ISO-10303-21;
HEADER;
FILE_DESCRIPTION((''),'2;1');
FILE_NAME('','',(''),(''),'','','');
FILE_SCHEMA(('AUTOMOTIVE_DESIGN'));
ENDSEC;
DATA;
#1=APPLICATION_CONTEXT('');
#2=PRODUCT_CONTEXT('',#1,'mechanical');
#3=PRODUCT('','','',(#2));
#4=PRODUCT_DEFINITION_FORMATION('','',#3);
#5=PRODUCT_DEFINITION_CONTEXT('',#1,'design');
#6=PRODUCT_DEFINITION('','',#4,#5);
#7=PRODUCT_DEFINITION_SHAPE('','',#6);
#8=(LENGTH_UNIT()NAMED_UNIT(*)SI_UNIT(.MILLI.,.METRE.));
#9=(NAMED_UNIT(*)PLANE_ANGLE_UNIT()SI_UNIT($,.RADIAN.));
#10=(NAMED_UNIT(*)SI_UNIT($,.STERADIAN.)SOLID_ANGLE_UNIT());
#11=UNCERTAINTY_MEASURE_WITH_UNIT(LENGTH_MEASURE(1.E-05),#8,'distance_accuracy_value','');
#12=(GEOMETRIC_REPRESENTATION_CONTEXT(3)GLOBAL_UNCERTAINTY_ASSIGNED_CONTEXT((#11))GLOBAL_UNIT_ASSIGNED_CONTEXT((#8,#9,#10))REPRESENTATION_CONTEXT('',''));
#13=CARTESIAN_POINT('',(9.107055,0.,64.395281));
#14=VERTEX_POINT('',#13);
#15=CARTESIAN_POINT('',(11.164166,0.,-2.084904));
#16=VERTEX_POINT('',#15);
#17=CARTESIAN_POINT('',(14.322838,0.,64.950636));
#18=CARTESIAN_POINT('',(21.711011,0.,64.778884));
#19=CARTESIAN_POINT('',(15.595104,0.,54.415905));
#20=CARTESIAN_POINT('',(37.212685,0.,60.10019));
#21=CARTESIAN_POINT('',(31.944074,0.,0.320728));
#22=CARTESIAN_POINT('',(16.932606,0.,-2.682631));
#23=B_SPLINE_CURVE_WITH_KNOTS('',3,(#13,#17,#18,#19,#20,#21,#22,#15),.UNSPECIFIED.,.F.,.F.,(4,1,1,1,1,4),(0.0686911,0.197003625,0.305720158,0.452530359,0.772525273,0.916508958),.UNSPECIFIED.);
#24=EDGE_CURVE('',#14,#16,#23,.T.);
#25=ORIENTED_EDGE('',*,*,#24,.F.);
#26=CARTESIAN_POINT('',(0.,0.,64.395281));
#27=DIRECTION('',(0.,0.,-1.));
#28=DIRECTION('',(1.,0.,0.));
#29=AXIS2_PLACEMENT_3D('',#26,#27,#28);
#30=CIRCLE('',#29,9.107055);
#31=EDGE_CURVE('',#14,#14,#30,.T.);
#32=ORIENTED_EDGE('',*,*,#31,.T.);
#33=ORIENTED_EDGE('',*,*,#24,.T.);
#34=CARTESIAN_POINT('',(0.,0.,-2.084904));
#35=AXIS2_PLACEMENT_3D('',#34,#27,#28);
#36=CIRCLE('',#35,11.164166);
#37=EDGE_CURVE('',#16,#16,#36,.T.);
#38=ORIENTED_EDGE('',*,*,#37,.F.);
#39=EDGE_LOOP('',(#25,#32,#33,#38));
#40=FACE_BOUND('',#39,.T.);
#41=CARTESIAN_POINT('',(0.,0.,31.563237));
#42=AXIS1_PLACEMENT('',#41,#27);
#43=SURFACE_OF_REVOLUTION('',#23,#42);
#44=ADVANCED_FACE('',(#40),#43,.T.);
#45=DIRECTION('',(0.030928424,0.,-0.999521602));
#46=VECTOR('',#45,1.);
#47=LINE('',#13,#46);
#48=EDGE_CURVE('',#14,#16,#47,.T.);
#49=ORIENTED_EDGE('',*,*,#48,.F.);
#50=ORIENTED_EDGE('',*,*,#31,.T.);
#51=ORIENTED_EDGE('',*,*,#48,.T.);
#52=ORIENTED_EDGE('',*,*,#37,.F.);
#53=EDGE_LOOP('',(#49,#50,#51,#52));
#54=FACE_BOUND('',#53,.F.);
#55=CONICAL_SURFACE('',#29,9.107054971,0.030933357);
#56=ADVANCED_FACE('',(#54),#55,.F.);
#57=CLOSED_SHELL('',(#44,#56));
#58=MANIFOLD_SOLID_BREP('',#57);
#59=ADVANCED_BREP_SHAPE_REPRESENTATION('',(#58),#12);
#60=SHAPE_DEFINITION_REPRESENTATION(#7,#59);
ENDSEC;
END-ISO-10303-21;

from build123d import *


with BuildPart() as f1:
    # F0 (on Front) → F1 (revolve)
    with BuildSketch(Plane.XZ):
        with BuildLine():
            add(Edge.make_bspline(
                [(9.1070549706, 64.3952809365), (14.3228379657, 64.9506357353), (21.7110111792, 64.7788836534), (15.5951037645, 54.4159054557), (37.2126854418, 60.1001904371), (31.9440741633, 0.3207276176), (16.93260613, -2.682631302), (11.164166413, -2.0849040041)],
                knots=[0.0686910995, 0.0686910995, 0.0686910995, 0.0686910995, 0.1970036254, 0.3057201577, 0.4525303585, 0.7725252735, 0.9165089584, 0.9165089584, 0.9165089584, 0.9165089584], degree=3))
            Line((9.1070549706, 64.3952809365), (11.164166413, -2.0849040041))
        make_face()
    revolve(axis=Axis((0, 0, 31.5632373291), (0, 0, -1)))


solid = f1.part
